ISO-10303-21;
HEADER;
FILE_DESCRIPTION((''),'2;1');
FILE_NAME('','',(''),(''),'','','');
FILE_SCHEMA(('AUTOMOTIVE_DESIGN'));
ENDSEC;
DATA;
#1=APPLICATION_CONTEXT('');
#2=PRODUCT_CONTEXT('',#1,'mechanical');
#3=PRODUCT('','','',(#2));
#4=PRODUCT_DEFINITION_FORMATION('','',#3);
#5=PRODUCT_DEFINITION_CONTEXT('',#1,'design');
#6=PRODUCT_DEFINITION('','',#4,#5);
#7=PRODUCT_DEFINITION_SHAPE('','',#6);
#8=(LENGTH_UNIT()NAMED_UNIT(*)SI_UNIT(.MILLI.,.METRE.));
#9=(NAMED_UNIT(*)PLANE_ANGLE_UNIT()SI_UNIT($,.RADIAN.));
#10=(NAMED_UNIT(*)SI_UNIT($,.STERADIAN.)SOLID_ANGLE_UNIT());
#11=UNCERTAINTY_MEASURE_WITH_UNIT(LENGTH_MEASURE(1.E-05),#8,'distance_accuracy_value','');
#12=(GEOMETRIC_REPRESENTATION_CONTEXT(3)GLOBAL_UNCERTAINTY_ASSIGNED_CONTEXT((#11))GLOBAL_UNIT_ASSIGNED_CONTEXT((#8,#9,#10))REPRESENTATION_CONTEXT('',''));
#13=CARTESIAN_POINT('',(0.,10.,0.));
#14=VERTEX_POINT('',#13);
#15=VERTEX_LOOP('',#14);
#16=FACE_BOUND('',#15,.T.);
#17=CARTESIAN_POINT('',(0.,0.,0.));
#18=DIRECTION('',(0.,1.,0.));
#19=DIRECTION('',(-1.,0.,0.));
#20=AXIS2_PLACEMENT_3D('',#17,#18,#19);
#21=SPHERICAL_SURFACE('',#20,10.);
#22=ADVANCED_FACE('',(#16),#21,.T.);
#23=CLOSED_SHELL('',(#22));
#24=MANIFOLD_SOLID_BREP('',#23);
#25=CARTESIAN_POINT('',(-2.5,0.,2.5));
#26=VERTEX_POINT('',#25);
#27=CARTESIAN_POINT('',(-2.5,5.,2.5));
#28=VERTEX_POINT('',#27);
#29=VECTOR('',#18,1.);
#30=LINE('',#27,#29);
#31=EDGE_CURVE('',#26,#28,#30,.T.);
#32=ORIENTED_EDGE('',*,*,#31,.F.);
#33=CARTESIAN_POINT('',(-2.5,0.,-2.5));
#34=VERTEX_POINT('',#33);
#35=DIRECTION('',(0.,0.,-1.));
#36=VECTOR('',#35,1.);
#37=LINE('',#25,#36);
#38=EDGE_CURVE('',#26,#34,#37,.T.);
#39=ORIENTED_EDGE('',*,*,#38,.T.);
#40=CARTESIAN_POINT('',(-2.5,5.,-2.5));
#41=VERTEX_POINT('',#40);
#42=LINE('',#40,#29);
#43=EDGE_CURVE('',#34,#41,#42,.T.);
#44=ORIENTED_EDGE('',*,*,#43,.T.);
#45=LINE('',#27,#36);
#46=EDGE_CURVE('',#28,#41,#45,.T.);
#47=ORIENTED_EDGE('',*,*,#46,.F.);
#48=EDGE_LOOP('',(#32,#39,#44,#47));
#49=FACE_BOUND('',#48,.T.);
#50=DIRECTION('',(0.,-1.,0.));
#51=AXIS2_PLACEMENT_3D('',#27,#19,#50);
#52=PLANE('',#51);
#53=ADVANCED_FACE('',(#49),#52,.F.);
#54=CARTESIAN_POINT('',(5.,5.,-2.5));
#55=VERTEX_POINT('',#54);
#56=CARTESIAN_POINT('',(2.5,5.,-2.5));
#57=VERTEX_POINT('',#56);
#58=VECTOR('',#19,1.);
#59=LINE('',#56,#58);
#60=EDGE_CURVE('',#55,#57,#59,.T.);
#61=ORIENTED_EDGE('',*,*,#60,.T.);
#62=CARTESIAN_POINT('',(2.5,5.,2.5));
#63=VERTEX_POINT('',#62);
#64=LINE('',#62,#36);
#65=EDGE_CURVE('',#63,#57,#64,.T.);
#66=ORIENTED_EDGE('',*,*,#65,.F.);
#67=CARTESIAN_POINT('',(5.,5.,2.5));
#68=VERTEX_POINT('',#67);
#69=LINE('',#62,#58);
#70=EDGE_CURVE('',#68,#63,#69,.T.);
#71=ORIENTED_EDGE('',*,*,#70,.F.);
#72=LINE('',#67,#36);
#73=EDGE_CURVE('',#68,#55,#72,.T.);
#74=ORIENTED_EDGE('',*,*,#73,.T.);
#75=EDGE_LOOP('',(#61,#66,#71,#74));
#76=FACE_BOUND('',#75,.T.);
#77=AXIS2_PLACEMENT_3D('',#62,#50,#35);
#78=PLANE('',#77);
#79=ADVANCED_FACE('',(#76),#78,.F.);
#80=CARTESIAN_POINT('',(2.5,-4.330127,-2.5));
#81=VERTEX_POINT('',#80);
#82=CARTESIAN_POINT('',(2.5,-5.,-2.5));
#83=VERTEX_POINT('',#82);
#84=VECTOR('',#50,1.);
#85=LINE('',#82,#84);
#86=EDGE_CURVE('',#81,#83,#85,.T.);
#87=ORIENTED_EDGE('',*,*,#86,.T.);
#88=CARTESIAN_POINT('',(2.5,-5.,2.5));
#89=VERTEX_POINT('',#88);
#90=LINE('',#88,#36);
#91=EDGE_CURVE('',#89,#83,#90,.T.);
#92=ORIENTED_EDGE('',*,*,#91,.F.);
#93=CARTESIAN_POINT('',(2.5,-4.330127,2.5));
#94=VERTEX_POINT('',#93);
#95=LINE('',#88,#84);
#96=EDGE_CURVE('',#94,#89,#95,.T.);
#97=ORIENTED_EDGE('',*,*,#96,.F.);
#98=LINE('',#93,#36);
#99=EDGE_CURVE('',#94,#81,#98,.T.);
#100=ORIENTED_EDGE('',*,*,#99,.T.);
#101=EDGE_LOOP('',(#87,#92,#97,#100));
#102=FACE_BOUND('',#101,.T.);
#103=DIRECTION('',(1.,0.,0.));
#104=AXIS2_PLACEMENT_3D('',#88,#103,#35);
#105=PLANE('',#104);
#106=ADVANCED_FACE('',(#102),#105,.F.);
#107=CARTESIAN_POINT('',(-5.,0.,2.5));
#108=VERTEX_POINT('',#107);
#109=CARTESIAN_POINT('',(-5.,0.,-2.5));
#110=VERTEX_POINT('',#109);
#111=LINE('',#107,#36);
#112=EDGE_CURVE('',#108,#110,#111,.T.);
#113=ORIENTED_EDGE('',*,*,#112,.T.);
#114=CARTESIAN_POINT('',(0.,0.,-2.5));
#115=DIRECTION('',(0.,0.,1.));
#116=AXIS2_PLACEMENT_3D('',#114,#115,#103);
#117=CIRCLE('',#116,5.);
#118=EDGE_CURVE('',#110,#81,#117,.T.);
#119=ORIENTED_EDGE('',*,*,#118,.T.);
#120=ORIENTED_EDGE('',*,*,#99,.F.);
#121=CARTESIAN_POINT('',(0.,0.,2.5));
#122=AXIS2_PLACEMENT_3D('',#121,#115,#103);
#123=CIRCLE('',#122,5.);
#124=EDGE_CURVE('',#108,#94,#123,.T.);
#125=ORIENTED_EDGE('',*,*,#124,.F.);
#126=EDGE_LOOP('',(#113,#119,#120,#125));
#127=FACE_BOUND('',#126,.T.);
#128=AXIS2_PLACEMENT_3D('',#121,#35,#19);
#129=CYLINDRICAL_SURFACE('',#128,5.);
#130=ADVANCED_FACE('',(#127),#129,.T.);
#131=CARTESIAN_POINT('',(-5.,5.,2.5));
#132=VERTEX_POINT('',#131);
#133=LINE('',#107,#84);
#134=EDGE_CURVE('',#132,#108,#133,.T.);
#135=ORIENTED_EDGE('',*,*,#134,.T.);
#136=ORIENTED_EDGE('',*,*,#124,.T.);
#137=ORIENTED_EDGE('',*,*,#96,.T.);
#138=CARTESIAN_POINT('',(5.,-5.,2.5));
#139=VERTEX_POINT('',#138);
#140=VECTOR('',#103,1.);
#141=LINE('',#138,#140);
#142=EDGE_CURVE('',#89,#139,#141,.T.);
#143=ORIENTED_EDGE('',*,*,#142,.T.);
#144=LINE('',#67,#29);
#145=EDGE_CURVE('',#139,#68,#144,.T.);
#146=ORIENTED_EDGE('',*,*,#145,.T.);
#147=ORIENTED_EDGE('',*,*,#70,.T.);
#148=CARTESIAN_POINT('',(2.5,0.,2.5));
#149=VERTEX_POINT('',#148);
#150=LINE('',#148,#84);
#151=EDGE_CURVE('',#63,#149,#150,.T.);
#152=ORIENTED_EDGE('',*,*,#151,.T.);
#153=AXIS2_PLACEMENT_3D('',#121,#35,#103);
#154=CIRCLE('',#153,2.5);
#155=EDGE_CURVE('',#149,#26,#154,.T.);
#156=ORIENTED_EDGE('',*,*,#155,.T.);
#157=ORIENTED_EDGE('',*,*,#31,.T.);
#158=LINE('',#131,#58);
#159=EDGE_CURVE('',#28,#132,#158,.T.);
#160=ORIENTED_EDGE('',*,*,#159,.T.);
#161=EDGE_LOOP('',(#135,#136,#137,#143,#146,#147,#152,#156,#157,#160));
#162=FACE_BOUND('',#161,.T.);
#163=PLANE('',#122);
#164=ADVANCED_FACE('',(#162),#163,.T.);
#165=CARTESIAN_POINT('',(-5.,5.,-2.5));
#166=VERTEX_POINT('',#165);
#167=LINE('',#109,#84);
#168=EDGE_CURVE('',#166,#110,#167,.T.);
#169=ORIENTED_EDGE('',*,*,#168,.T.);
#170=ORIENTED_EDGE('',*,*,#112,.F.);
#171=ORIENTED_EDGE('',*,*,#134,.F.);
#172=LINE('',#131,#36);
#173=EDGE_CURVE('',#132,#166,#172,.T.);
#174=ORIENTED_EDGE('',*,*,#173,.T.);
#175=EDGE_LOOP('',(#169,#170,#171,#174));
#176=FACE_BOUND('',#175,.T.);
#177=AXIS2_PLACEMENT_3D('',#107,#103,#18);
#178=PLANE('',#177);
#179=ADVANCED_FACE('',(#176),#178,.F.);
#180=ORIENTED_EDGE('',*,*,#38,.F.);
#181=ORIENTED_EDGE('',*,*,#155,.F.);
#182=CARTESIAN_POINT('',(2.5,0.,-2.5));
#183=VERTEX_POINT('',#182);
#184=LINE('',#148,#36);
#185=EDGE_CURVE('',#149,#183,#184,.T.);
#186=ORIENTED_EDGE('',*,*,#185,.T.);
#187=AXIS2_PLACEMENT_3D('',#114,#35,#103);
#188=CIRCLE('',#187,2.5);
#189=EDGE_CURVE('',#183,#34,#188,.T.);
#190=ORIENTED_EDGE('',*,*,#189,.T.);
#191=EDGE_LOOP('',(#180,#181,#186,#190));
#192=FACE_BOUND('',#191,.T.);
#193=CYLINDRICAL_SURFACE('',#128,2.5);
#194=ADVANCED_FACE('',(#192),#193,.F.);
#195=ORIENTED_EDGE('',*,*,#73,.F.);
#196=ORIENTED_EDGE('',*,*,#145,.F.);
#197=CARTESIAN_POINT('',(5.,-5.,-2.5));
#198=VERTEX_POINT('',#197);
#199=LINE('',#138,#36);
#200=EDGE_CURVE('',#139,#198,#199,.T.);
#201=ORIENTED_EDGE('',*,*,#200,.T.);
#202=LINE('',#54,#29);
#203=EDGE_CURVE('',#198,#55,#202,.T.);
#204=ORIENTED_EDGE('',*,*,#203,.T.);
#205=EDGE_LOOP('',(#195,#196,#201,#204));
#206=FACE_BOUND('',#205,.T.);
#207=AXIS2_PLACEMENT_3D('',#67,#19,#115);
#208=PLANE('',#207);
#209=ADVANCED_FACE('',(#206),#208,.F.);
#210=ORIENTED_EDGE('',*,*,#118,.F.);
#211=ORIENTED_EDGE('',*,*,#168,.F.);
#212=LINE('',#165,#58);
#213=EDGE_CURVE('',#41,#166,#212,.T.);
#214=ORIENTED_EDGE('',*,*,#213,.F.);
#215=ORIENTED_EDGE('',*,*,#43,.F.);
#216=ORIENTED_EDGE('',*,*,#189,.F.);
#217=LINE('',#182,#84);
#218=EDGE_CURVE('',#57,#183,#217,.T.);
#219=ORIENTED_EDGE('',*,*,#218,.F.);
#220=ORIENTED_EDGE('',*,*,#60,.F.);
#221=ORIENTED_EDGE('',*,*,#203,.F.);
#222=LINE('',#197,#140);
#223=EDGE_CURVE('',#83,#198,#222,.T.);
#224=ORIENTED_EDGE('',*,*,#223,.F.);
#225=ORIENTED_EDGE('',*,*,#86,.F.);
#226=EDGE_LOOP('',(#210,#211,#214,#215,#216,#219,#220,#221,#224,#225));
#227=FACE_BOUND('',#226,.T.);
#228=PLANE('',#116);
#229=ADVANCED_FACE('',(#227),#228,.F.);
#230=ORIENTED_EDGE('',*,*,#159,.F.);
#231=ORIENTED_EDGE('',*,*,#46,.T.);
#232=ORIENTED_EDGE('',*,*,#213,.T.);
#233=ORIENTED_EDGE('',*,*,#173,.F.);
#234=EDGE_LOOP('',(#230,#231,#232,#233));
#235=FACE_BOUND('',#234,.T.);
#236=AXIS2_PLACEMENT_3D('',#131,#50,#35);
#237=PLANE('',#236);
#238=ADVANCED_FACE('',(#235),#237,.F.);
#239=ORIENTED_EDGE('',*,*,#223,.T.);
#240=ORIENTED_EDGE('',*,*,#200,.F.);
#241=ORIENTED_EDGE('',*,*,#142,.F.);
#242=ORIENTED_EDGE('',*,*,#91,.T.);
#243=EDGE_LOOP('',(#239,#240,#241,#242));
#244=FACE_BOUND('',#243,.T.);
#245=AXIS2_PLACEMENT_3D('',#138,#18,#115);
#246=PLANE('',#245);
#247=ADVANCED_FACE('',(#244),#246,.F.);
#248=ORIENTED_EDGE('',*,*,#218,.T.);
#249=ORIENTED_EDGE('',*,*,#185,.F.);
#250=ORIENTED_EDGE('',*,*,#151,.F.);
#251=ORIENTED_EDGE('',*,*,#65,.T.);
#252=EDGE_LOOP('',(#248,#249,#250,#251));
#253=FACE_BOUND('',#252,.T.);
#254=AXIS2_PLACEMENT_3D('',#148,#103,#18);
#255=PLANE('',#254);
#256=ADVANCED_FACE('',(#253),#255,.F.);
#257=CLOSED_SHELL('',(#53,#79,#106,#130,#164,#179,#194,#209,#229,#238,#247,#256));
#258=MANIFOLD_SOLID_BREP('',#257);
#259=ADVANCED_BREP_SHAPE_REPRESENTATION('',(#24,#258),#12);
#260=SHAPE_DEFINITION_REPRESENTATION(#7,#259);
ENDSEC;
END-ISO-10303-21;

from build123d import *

# Parameters (mm, degrees)
AUFSATZ_LINEAR_AUSTRAGEN1_DEPTH = 2.5


with BuildPart() as part:
    # Skizze1 → Aufsatz-Linear austragen1 (new body, symmetric)
    with BuildSketch(Plane.XY):
        with BuildLine():
            Line((-5, 0), (-5, 5))
            Line((-5, 5), (-2.5, 5))
            Line((-2.5, 5), (-2.5, 0))
            ThreePointArc((-2.5, 0), (0, -2.5), (2.5, 0))
            Line((2.5, 0), (2.5, 5))
            Line((2.5, 5), (5, 5))
            Line((5, 5), (5, -5))
            Line((5, -5), (2.5, -5))
            Line((2.5, -5), (2.5, -4.330127019))
            ThreePointArc((2.5, -4.330127019), (-2.5, -4.330127019), (-5, 0))
        make_face()
    extrude(amount=AUFSATZ_LINEAR_AUSTRAGEN1_DEPTH, both=True)


with BuildPart() as body_2:
    # Skizze2 → Rotation1 (revolve)
    with BuildSketch(Plane.XY):
        with BuildLine():
            Line((0, 10), (0, -10))
            ThreePointArc((0, -10), (-10, 0), (0, 10))
        make_face()
    revolve(axis=Axis((0, 10, 0), (0, -1, 0)))


solid = Compound([part.part, body_2.part])
